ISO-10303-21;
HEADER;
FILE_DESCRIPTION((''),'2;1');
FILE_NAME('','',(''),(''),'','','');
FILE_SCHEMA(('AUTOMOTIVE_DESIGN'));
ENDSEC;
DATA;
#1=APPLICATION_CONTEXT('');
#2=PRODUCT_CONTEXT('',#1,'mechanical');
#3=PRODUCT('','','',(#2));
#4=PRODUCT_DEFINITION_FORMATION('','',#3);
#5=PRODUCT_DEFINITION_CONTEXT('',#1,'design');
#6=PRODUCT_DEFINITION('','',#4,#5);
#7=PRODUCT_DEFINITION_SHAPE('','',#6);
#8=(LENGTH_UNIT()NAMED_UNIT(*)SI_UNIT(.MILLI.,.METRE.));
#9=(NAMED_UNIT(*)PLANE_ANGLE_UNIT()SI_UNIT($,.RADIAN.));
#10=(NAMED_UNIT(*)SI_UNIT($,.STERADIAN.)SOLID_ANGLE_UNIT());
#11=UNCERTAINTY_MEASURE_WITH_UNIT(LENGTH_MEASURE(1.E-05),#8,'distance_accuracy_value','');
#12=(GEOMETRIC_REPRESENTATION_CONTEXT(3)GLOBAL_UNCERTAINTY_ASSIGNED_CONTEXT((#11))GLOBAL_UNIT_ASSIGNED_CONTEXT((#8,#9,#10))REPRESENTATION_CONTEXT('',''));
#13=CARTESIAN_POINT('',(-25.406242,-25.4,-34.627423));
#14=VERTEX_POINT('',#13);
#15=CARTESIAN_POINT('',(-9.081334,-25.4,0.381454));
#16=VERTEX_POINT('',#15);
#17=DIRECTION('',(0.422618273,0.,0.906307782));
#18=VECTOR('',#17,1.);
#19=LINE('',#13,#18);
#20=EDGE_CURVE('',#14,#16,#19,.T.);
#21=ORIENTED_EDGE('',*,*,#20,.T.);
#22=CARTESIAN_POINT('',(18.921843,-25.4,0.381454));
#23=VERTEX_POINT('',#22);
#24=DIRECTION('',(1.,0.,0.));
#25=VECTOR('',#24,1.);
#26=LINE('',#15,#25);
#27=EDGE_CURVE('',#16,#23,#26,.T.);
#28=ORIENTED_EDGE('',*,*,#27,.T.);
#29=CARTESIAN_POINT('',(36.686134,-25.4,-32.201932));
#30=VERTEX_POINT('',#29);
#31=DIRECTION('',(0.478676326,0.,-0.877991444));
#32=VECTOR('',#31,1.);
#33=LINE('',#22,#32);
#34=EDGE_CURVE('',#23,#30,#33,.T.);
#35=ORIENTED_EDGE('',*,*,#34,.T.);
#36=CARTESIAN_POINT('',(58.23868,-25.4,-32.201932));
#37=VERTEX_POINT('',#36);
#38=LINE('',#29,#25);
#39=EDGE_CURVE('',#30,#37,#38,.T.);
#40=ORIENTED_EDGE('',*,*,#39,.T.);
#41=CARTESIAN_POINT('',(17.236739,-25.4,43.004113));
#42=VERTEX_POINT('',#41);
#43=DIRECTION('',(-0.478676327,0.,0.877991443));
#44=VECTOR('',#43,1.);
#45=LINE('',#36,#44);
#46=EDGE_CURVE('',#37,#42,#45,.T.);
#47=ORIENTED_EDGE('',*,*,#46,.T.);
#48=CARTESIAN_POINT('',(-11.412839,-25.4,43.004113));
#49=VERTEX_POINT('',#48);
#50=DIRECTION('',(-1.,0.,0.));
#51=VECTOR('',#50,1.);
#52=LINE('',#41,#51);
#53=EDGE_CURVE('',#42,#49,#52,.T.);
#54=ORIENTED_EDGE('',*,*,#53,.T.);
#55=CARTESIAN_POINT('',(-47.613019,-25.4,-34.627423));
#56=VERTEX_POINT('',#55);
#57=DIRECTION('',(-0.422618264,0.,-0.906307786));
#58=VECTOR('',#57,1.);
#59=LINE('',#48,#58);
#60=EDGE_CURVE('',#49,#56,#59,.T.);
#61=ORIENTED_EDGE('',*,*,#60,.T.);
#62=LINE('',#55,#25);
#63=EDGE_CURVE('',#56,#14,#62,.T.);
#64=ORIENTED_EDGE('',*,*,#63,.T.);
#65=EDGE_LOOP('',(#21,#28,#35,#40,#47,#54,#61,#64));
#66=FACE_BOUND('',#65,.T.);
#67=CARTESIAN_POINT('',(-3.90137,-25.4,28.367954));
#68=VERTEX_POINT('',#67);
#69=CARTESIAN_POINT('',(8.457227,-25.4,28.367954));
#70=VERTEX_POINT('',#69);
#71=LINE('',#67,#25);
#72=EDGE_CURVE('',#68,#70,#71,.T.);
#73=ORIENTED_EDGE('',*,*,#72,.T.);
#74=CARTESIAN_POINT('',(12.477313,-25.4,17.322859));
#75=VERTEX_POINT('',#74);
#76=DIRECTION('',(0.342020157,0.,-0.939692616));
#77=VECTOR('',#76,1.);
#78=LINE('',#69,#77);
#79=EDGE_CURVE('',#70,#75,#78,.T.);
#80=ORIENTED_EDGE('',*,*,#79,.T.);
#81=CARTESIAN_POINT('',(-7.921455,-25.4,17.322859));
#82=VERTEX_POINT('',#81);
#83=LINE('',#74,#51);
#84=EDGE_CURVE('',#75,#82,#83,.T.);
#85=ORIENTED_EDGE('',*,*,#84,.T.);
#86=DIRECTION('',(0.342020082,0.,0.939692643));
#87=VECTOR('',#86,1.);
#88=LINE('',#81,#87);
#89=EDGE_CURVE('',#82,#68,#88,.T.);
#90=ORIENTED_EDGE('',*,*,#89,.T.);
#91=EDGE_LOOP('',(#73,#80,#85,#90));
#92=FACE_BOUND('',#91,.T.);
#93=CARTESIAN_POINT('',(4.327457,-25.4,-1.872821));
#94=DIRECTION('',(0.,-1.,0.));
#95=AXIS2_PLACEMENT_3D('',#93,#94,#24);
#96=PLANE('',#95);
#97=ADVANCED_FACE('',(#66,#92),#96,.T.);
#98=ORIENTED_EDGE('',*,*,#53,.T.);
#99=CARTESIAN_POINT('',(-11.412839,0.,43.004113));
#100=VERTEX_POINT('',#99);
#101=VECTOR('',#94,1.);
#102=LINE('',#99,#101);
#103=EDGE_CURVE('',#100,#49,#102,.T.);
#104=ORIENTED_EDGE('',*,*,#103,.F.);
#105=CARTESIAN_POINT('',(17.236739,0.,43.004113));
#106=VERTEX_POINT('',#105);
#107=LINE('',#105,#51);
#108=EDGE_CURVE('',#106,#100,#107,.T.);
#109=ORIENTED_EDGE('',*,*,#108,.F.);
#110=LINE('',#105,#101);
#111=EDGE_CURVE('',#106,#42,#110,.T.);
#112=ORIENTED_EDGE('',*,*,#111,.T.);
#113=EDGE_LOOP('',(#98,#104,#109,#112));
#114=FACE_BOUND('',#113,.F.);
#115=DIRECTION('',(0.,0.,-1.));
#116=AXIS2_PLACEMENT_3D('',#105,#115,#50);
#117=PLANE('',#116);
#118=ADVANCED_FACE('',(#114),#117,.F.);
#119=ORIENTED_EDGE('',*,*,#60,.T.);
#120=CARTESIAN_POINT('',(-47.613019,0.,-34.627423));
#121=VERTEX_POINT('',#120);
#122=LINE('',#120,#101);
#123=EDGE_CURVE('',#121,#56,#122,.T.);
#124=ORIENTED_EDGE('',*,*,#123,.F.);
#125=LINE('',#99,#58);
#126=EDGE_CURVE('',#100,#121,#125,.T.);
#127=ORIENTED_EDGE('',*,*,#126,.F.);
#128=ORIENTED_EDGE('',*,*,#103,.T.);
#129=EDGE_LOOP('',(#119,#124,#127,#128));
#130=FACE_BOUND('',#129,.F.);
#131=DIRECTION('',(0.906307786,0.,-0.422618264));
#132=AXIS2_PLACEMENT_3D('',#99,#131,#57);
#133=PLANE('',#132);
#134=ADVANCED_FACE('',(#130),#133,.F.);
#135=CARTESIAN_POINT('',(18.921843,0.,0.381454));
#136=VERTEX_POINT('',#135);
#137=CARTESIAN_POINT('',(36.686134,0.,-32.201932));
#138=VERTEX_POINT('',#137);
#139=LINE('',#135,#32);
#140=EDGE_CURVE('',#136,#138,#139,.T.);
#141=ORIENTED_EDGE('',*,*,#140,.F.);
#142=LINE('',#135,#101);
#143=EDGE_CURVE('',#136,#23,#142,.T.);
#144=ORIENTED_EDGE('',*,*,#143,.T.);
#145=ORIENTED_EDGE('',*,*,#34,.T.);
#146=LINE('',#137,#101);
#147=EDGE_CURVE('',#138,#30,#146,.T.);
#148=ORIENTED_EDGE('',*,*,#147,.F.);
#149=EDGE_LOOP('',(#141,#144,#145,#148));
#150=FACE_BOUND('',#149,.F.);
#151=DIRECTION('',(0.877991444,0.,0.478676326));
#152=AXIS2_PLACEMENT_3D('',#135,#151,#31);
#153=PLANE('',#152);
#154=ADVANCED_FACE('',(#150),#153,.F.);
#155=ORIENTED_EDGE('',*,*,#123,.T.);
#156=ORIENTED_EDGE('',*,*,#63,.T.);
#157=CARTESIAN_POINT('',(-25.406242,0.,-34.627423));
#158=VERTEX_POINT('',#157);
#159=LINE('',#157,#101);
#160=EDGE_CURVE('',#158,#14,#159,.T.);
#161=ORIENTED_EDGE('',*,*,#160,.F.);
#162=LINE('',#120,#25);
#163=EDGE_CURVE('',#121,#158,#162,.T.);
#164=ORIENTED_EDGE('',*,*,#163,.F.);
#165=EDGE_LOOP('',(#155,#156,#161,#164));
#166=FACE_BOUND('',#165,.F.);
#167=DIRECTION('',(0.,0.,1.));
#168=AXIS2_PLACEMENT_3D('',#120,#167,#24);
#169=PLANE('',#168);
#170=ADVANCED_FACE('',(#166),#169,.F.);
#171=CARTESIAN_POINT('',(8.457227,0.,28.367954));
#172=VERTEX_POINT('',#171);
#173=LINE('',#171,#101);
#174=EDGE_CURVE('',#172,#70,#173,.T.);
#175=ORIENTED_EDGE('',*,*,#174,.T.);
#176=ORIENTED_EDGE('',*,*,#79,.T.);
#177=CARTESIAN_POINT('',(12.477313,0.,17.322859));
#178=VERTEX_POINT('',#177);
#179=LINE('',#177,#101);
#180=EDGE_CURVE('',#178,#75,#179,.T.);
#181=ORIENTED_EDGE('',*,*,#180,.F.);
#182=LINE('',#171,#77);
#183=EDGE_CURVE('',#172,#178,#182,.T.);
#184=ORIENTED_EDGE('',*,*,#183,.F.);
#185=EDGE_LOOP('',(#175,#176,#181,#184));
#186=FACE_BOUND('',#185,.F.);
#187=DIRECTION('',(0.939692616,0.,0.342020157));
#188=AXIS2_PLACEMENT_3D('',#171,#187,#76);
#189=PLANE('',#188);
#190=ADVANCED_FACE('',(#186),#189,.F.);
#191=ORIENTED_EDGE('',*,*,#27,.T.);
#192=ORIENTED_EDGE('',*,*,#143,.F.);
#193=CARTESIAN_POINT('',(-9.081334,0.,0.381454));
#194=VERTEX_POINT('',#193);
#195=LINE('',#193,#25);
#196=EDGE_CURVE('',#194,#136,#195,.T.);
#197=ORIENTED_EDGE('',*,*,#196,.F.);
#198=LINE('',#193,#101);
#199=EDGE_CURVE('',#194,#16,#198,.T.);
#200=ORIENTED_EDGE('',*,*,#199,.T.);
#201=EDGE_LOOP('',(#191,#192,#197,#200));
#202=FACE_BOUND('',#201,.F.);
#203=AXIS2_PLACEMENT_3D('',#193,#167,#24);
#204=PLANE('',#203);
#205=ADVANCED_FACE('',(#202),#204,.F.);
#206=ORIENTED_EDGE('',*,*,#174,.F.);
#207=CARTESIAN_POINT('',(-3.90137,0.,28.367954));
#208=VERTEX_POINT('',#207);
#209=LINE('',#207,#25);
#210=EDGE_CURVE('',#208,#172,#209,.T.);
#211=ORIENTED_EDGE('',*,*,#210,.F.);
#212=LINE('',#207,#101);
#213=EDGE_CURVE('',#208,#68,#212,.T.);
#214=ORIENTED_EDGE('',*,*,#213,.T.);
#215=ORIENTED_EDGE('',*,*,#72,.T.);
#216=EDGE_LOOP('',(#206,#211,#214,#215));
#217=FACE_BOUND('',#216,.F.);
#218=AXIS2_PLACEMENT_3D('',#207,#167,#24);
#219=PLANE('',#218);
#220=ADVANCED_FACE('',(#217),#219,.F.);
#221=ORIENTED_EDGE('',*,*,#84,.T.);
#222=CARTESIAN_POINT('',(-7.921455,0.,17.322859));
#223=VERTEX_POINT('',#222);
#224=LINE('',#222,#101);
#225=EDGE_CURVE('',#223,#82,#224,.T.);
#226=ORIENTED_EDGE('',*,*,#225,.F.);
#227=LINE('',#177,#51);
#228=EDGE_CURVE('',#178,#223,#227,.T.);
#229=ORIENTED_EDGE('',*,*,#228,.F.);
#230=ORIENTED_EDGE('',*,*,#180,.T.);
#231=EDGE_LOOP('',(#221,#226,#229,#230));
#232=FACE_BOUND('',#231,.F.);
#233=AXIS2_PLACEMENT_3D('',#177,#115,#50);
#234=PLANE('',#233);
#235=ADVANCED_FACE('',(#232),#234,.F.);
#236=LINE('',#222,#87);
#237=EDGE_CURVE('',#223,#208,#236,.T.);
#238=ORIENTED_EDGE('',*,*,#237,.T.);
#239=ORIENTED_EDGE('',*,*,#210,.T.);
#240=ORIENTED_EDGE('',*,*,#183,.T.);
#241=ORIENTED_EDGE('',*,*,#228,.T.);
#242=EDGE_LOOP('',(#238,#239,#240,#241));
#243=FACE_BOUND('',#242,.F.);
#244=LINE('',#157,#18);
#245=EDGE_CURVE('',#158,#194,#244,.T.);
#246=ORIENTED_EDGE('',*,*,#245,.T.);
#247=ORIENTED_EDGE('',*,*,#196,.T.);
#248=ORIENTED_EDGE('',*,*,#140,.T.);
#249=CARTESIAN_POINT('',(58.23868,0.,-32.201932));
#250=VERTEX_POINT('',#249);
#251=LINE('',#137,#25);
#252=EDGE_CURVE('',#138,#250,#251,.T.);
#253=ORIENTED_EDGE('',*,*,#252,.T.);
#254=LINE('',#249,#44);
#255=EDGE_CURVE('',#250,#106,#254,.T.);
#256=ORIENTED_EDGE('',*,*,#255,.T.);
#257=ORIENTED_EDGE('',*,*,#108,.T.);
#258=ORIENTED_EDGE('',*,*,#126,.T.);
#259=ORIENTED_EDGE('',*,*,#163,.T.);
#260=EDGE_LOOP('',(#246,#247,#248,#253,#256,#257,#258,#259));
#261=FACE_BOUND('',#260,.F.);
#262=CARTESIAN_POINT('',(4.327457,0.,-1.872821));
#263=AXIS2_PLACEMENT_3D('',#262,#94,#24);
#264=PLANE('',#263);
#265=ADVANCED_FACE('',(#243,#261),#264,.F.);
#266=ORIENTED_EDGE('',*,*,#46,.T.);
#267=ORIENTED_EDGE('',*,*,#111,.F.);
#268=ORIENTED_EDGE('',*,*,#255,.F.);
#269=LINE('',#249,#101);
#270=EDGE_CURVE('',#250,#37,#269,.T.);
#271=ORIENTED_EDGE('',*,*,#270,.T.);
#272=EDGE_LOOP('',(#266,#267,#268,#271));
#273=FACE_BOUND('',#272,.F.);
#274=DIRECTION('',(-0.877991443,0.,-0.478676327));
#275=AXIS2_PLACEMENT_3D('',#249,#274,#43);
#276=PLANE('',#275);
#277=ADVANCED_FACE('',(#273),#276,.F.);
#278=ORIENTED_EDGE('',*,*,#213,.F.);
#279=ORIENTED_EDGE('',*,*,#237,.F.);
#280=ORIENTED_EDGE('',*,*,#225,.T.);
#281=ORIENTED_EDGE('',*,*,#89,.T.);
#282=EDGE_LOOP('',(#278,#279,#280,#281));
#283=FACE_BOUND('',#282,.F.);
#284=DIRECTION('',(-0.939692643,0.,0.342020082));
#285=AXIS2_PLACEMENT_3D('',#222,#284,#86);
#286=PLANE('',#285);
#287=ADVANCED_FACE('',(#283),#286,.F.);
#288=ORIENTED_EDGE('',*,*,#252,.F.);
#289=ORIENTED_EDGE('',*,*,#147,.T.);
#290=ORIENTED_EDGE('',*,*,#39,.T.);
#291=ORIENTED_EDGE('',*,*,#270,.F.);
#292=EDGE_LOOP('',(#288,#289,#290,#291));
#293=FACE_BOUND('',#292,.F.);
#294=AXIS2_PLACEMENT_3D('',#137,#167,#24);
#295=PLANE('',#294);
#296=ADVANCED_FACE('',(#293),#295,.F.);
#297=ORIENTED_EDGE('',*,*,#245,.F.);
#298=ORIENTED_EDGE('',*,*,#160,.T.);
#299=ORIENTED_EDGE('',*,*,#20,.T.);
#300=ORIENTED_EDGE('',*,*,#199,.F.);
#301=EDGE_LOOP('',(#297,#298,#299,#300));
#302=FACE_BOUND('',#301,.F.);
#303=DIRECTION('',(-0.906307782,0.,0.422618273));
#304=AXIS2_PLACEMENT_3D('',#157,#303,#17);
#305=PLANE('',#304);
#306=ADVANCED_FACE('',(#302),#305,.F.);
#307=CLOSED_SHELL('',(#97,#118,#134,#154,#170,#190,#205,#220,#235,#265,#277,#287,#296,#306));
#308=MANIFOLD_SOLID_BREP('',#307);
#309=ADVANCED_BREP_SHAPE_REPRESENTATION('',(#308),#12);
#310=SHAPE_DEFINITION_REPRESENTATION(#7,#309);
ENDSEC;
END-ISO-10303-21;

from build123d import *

# Parameters (mm, degrees)
F1_DEPTH = 25.4


with BuildPart() as f1:
    # F0 (on Front) → F1 (new body)
    with BuildSketch(Plane.XZ):
        Polygon((-11.412839, 43.004113), (-47.613019, -34.627423), (-25.406242, -34.627423), (-9.081334, 0.381454), (18.921843, 0.381454), (36.686134, -32.201932), (58.23868, -32.201932), (17.236739, 43.004113), align=None)
        Polygon((-7.921455, 17.322859), (-3.90137, 28.367954), (8.457227, 28.367954), (12.477313, 17.322859), align=None, mode=Mode.SUBTRACT)
    extrude(amount=F1_DEPTH)


solid = f1.part
